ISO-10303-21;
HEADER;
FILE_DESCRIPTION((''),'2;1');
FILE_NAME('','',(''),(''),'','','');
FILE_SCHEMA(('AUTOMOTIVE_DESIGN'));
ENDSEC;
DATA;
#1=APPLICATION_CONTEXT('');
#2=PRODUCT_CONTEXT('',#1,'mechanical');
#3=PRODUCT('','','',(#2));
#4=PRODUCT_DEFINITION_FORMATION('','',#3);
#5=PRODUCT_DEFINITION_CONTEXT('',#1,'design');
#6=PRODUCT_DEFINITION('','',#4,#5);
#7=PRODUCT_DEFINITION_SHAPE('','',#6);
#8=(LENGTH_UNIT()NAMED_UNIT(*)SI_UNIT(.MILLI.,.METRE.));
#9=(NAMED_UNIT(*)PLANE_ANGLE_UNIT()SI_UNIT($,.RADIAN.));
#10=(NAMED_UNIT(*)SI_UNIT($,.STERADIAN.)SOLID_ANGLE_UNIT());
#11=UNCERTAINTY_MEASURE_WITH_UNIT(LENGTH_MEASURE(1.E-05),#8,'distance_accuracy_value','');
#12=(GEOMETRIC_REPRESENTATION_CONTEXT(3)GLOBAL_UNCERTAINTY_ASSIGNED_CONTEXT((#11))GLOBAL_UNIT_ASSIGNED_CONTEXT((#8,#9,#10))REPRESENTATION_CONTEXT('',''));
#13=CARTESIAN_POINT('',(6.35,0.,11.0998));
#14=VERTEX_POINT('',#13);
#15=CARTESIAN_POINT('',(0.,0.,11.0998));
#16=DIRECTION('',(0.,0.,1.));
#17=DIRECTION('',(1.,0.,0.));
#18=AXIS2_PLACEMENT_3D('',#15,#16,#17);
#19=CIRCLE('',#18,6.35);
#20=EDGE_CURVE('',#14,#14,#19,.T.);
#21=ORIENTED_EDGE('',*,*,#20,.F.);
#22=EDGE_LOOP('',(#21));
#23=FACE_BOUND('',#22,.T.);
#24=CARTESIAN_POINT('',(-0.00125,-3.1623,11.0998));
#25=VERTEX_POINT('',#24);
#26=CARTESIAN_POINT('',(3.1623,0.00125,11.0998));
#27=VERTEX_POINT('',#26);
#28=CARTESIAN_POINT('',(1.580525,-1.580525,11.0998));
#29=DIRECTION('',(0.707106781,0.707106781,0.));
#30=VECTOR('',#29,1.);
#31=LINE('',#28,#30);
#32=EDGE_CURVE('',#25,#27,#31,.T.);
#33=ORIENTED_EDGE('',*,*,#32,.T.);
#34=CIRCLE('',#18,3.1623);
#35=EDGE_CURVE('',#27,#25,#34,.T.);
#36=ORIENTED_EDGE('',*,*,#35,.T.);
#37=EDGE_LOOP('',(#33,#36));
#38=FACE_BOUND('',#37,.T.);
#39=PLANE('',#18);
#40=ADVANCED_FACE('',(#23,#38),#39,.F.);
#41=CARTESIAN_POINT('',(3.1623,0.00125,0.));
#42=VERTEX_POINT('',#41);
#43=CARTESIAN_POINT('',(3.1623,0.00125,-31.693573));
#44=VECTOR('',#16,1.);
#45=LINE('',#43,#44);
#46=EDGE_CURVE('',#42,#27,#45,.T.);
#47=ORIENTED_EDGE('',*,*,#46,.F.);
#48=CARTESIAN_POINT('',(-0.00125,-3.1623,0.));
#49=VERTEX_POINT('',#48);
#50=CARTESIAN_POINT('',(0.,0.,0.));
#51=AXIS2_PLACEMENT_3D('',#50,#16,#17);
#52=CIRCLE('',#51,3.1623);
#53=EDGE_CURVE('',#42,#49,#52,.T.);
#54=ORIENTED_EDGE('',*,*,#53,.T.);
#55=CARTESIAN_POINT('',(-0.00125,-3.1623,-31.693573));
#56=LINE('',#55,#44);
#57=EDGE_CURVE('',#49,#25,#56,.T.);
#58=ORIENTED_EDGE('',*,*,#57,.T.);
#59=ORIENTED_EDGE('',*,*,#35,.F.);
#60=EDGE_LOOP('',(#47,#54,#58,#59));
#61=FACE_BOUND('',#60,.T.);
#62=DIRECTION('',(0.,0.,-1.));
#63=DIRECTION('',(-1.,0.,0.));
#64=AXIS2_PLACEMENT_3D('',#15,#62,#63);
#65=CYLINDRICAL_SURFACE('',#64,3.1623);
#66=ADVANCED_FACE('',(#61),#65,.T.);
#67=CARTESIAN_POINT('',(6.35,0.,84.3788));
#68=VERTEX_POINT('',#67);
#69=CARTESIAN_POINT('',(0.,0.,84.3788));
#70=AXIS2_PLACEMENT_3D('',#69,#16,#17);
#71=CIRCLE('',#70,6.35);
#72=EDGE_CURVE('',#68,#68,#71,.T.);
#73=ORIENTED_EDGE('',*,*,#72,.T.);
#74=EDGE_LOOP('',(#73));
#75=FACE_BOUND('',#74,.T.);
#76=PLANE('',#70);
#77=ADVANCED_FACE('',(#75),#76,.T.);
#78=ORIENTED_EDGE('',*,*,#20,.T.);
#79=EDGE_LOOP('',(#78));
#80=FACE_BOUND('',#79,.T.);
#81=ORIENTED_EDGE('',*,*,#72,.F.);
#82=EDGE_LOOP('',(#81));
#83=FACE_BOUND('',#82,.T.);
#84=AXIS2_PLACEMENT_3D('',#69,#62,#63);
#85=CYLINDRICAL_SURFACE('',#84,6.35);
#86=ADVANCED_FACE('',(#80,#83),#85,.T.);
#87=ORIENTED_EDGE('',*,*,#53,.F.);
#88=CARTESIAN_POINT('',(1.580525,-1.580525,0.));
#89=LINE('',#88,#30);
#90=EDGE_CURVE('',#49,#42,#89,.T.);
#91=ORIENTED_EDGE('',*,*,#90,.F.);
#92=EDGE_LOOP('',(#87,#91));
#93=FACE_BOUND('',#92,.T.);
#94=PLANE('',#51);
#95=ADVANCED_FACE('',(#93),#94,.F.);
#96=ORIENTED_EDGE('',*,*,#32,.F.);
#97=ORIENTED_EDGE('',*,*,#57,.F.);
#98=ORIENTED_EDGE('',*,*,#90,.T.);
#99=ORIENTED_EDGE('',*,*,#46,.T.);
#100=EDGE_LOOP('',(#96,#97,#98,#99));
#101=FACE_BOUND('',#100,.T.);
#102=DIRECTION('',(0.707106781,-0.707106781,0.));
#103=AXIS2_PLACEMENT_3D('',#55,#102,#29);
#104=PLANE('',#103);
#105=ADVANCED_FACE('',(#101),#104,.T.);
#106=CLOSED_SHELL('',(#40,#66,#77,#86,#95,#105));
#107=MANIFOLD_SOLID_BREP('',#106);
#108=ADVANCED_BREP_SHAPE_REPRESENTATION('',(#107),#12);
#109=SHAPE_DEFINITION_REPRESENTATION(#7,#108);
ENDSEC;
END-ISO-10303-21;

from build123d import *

# Parameters (mm, degrees)
SKETCH1_R               = 3.1623
BOSS_EXTRUDE1_DEPTH     = 11.0998
CUT_EXTRUDE1_DEPTH      = 1
CUT_EXTRUDE1_DEPTH_BACK = 12.0998
SKETCH3_R               = 6.35
BOSS_EXTRUDE2_DEPTH     = 73.279


with BuildPart() as part:
    # Sketch1 → Boss-Extrude1 (new body)
    with BuildSketch(Plane.XY):
        Circle(SKETCH1_R)
    extrude(amount=BOSS_EXTRUDE1_DEPTH)

    # Sketch2 → Cut-Extrude1 (cut, two sides)
    with BuildSketch(Plane(origin=(0, 0, 0), x_dir=(-1, 0, 0), z_dir=(0, 0, -1))) as cut_extrude1_sk:
        Polygon((17.073178183, -20.234228338), (0.001249598, -3.162299753), (-3.162299753, 0.001249598), (-20.234228338, 17.073178183), (-54.378085507, -17.070678986), (-17.070678986, -54.378085507), align=None)
    extrude(amount=CUT_EXTRUDE1_DEPTH, mode=Mode.SUBTRACT)
    extrude(cut_extrude1_sk.sketch, amount=-CUT_EXTRUDE1_DEPTH_BACK, mode=Mode.SUBTRACT)

    # Sketch3 → Boss-Extrude2 (add)
    with BuildSketch(Plane.XY.offset(11.0998)):
        Circle(SKETCH3_R)
    extrude(amount=BOSS_EXTRUDE2_DEPTH)


solid = part.part
